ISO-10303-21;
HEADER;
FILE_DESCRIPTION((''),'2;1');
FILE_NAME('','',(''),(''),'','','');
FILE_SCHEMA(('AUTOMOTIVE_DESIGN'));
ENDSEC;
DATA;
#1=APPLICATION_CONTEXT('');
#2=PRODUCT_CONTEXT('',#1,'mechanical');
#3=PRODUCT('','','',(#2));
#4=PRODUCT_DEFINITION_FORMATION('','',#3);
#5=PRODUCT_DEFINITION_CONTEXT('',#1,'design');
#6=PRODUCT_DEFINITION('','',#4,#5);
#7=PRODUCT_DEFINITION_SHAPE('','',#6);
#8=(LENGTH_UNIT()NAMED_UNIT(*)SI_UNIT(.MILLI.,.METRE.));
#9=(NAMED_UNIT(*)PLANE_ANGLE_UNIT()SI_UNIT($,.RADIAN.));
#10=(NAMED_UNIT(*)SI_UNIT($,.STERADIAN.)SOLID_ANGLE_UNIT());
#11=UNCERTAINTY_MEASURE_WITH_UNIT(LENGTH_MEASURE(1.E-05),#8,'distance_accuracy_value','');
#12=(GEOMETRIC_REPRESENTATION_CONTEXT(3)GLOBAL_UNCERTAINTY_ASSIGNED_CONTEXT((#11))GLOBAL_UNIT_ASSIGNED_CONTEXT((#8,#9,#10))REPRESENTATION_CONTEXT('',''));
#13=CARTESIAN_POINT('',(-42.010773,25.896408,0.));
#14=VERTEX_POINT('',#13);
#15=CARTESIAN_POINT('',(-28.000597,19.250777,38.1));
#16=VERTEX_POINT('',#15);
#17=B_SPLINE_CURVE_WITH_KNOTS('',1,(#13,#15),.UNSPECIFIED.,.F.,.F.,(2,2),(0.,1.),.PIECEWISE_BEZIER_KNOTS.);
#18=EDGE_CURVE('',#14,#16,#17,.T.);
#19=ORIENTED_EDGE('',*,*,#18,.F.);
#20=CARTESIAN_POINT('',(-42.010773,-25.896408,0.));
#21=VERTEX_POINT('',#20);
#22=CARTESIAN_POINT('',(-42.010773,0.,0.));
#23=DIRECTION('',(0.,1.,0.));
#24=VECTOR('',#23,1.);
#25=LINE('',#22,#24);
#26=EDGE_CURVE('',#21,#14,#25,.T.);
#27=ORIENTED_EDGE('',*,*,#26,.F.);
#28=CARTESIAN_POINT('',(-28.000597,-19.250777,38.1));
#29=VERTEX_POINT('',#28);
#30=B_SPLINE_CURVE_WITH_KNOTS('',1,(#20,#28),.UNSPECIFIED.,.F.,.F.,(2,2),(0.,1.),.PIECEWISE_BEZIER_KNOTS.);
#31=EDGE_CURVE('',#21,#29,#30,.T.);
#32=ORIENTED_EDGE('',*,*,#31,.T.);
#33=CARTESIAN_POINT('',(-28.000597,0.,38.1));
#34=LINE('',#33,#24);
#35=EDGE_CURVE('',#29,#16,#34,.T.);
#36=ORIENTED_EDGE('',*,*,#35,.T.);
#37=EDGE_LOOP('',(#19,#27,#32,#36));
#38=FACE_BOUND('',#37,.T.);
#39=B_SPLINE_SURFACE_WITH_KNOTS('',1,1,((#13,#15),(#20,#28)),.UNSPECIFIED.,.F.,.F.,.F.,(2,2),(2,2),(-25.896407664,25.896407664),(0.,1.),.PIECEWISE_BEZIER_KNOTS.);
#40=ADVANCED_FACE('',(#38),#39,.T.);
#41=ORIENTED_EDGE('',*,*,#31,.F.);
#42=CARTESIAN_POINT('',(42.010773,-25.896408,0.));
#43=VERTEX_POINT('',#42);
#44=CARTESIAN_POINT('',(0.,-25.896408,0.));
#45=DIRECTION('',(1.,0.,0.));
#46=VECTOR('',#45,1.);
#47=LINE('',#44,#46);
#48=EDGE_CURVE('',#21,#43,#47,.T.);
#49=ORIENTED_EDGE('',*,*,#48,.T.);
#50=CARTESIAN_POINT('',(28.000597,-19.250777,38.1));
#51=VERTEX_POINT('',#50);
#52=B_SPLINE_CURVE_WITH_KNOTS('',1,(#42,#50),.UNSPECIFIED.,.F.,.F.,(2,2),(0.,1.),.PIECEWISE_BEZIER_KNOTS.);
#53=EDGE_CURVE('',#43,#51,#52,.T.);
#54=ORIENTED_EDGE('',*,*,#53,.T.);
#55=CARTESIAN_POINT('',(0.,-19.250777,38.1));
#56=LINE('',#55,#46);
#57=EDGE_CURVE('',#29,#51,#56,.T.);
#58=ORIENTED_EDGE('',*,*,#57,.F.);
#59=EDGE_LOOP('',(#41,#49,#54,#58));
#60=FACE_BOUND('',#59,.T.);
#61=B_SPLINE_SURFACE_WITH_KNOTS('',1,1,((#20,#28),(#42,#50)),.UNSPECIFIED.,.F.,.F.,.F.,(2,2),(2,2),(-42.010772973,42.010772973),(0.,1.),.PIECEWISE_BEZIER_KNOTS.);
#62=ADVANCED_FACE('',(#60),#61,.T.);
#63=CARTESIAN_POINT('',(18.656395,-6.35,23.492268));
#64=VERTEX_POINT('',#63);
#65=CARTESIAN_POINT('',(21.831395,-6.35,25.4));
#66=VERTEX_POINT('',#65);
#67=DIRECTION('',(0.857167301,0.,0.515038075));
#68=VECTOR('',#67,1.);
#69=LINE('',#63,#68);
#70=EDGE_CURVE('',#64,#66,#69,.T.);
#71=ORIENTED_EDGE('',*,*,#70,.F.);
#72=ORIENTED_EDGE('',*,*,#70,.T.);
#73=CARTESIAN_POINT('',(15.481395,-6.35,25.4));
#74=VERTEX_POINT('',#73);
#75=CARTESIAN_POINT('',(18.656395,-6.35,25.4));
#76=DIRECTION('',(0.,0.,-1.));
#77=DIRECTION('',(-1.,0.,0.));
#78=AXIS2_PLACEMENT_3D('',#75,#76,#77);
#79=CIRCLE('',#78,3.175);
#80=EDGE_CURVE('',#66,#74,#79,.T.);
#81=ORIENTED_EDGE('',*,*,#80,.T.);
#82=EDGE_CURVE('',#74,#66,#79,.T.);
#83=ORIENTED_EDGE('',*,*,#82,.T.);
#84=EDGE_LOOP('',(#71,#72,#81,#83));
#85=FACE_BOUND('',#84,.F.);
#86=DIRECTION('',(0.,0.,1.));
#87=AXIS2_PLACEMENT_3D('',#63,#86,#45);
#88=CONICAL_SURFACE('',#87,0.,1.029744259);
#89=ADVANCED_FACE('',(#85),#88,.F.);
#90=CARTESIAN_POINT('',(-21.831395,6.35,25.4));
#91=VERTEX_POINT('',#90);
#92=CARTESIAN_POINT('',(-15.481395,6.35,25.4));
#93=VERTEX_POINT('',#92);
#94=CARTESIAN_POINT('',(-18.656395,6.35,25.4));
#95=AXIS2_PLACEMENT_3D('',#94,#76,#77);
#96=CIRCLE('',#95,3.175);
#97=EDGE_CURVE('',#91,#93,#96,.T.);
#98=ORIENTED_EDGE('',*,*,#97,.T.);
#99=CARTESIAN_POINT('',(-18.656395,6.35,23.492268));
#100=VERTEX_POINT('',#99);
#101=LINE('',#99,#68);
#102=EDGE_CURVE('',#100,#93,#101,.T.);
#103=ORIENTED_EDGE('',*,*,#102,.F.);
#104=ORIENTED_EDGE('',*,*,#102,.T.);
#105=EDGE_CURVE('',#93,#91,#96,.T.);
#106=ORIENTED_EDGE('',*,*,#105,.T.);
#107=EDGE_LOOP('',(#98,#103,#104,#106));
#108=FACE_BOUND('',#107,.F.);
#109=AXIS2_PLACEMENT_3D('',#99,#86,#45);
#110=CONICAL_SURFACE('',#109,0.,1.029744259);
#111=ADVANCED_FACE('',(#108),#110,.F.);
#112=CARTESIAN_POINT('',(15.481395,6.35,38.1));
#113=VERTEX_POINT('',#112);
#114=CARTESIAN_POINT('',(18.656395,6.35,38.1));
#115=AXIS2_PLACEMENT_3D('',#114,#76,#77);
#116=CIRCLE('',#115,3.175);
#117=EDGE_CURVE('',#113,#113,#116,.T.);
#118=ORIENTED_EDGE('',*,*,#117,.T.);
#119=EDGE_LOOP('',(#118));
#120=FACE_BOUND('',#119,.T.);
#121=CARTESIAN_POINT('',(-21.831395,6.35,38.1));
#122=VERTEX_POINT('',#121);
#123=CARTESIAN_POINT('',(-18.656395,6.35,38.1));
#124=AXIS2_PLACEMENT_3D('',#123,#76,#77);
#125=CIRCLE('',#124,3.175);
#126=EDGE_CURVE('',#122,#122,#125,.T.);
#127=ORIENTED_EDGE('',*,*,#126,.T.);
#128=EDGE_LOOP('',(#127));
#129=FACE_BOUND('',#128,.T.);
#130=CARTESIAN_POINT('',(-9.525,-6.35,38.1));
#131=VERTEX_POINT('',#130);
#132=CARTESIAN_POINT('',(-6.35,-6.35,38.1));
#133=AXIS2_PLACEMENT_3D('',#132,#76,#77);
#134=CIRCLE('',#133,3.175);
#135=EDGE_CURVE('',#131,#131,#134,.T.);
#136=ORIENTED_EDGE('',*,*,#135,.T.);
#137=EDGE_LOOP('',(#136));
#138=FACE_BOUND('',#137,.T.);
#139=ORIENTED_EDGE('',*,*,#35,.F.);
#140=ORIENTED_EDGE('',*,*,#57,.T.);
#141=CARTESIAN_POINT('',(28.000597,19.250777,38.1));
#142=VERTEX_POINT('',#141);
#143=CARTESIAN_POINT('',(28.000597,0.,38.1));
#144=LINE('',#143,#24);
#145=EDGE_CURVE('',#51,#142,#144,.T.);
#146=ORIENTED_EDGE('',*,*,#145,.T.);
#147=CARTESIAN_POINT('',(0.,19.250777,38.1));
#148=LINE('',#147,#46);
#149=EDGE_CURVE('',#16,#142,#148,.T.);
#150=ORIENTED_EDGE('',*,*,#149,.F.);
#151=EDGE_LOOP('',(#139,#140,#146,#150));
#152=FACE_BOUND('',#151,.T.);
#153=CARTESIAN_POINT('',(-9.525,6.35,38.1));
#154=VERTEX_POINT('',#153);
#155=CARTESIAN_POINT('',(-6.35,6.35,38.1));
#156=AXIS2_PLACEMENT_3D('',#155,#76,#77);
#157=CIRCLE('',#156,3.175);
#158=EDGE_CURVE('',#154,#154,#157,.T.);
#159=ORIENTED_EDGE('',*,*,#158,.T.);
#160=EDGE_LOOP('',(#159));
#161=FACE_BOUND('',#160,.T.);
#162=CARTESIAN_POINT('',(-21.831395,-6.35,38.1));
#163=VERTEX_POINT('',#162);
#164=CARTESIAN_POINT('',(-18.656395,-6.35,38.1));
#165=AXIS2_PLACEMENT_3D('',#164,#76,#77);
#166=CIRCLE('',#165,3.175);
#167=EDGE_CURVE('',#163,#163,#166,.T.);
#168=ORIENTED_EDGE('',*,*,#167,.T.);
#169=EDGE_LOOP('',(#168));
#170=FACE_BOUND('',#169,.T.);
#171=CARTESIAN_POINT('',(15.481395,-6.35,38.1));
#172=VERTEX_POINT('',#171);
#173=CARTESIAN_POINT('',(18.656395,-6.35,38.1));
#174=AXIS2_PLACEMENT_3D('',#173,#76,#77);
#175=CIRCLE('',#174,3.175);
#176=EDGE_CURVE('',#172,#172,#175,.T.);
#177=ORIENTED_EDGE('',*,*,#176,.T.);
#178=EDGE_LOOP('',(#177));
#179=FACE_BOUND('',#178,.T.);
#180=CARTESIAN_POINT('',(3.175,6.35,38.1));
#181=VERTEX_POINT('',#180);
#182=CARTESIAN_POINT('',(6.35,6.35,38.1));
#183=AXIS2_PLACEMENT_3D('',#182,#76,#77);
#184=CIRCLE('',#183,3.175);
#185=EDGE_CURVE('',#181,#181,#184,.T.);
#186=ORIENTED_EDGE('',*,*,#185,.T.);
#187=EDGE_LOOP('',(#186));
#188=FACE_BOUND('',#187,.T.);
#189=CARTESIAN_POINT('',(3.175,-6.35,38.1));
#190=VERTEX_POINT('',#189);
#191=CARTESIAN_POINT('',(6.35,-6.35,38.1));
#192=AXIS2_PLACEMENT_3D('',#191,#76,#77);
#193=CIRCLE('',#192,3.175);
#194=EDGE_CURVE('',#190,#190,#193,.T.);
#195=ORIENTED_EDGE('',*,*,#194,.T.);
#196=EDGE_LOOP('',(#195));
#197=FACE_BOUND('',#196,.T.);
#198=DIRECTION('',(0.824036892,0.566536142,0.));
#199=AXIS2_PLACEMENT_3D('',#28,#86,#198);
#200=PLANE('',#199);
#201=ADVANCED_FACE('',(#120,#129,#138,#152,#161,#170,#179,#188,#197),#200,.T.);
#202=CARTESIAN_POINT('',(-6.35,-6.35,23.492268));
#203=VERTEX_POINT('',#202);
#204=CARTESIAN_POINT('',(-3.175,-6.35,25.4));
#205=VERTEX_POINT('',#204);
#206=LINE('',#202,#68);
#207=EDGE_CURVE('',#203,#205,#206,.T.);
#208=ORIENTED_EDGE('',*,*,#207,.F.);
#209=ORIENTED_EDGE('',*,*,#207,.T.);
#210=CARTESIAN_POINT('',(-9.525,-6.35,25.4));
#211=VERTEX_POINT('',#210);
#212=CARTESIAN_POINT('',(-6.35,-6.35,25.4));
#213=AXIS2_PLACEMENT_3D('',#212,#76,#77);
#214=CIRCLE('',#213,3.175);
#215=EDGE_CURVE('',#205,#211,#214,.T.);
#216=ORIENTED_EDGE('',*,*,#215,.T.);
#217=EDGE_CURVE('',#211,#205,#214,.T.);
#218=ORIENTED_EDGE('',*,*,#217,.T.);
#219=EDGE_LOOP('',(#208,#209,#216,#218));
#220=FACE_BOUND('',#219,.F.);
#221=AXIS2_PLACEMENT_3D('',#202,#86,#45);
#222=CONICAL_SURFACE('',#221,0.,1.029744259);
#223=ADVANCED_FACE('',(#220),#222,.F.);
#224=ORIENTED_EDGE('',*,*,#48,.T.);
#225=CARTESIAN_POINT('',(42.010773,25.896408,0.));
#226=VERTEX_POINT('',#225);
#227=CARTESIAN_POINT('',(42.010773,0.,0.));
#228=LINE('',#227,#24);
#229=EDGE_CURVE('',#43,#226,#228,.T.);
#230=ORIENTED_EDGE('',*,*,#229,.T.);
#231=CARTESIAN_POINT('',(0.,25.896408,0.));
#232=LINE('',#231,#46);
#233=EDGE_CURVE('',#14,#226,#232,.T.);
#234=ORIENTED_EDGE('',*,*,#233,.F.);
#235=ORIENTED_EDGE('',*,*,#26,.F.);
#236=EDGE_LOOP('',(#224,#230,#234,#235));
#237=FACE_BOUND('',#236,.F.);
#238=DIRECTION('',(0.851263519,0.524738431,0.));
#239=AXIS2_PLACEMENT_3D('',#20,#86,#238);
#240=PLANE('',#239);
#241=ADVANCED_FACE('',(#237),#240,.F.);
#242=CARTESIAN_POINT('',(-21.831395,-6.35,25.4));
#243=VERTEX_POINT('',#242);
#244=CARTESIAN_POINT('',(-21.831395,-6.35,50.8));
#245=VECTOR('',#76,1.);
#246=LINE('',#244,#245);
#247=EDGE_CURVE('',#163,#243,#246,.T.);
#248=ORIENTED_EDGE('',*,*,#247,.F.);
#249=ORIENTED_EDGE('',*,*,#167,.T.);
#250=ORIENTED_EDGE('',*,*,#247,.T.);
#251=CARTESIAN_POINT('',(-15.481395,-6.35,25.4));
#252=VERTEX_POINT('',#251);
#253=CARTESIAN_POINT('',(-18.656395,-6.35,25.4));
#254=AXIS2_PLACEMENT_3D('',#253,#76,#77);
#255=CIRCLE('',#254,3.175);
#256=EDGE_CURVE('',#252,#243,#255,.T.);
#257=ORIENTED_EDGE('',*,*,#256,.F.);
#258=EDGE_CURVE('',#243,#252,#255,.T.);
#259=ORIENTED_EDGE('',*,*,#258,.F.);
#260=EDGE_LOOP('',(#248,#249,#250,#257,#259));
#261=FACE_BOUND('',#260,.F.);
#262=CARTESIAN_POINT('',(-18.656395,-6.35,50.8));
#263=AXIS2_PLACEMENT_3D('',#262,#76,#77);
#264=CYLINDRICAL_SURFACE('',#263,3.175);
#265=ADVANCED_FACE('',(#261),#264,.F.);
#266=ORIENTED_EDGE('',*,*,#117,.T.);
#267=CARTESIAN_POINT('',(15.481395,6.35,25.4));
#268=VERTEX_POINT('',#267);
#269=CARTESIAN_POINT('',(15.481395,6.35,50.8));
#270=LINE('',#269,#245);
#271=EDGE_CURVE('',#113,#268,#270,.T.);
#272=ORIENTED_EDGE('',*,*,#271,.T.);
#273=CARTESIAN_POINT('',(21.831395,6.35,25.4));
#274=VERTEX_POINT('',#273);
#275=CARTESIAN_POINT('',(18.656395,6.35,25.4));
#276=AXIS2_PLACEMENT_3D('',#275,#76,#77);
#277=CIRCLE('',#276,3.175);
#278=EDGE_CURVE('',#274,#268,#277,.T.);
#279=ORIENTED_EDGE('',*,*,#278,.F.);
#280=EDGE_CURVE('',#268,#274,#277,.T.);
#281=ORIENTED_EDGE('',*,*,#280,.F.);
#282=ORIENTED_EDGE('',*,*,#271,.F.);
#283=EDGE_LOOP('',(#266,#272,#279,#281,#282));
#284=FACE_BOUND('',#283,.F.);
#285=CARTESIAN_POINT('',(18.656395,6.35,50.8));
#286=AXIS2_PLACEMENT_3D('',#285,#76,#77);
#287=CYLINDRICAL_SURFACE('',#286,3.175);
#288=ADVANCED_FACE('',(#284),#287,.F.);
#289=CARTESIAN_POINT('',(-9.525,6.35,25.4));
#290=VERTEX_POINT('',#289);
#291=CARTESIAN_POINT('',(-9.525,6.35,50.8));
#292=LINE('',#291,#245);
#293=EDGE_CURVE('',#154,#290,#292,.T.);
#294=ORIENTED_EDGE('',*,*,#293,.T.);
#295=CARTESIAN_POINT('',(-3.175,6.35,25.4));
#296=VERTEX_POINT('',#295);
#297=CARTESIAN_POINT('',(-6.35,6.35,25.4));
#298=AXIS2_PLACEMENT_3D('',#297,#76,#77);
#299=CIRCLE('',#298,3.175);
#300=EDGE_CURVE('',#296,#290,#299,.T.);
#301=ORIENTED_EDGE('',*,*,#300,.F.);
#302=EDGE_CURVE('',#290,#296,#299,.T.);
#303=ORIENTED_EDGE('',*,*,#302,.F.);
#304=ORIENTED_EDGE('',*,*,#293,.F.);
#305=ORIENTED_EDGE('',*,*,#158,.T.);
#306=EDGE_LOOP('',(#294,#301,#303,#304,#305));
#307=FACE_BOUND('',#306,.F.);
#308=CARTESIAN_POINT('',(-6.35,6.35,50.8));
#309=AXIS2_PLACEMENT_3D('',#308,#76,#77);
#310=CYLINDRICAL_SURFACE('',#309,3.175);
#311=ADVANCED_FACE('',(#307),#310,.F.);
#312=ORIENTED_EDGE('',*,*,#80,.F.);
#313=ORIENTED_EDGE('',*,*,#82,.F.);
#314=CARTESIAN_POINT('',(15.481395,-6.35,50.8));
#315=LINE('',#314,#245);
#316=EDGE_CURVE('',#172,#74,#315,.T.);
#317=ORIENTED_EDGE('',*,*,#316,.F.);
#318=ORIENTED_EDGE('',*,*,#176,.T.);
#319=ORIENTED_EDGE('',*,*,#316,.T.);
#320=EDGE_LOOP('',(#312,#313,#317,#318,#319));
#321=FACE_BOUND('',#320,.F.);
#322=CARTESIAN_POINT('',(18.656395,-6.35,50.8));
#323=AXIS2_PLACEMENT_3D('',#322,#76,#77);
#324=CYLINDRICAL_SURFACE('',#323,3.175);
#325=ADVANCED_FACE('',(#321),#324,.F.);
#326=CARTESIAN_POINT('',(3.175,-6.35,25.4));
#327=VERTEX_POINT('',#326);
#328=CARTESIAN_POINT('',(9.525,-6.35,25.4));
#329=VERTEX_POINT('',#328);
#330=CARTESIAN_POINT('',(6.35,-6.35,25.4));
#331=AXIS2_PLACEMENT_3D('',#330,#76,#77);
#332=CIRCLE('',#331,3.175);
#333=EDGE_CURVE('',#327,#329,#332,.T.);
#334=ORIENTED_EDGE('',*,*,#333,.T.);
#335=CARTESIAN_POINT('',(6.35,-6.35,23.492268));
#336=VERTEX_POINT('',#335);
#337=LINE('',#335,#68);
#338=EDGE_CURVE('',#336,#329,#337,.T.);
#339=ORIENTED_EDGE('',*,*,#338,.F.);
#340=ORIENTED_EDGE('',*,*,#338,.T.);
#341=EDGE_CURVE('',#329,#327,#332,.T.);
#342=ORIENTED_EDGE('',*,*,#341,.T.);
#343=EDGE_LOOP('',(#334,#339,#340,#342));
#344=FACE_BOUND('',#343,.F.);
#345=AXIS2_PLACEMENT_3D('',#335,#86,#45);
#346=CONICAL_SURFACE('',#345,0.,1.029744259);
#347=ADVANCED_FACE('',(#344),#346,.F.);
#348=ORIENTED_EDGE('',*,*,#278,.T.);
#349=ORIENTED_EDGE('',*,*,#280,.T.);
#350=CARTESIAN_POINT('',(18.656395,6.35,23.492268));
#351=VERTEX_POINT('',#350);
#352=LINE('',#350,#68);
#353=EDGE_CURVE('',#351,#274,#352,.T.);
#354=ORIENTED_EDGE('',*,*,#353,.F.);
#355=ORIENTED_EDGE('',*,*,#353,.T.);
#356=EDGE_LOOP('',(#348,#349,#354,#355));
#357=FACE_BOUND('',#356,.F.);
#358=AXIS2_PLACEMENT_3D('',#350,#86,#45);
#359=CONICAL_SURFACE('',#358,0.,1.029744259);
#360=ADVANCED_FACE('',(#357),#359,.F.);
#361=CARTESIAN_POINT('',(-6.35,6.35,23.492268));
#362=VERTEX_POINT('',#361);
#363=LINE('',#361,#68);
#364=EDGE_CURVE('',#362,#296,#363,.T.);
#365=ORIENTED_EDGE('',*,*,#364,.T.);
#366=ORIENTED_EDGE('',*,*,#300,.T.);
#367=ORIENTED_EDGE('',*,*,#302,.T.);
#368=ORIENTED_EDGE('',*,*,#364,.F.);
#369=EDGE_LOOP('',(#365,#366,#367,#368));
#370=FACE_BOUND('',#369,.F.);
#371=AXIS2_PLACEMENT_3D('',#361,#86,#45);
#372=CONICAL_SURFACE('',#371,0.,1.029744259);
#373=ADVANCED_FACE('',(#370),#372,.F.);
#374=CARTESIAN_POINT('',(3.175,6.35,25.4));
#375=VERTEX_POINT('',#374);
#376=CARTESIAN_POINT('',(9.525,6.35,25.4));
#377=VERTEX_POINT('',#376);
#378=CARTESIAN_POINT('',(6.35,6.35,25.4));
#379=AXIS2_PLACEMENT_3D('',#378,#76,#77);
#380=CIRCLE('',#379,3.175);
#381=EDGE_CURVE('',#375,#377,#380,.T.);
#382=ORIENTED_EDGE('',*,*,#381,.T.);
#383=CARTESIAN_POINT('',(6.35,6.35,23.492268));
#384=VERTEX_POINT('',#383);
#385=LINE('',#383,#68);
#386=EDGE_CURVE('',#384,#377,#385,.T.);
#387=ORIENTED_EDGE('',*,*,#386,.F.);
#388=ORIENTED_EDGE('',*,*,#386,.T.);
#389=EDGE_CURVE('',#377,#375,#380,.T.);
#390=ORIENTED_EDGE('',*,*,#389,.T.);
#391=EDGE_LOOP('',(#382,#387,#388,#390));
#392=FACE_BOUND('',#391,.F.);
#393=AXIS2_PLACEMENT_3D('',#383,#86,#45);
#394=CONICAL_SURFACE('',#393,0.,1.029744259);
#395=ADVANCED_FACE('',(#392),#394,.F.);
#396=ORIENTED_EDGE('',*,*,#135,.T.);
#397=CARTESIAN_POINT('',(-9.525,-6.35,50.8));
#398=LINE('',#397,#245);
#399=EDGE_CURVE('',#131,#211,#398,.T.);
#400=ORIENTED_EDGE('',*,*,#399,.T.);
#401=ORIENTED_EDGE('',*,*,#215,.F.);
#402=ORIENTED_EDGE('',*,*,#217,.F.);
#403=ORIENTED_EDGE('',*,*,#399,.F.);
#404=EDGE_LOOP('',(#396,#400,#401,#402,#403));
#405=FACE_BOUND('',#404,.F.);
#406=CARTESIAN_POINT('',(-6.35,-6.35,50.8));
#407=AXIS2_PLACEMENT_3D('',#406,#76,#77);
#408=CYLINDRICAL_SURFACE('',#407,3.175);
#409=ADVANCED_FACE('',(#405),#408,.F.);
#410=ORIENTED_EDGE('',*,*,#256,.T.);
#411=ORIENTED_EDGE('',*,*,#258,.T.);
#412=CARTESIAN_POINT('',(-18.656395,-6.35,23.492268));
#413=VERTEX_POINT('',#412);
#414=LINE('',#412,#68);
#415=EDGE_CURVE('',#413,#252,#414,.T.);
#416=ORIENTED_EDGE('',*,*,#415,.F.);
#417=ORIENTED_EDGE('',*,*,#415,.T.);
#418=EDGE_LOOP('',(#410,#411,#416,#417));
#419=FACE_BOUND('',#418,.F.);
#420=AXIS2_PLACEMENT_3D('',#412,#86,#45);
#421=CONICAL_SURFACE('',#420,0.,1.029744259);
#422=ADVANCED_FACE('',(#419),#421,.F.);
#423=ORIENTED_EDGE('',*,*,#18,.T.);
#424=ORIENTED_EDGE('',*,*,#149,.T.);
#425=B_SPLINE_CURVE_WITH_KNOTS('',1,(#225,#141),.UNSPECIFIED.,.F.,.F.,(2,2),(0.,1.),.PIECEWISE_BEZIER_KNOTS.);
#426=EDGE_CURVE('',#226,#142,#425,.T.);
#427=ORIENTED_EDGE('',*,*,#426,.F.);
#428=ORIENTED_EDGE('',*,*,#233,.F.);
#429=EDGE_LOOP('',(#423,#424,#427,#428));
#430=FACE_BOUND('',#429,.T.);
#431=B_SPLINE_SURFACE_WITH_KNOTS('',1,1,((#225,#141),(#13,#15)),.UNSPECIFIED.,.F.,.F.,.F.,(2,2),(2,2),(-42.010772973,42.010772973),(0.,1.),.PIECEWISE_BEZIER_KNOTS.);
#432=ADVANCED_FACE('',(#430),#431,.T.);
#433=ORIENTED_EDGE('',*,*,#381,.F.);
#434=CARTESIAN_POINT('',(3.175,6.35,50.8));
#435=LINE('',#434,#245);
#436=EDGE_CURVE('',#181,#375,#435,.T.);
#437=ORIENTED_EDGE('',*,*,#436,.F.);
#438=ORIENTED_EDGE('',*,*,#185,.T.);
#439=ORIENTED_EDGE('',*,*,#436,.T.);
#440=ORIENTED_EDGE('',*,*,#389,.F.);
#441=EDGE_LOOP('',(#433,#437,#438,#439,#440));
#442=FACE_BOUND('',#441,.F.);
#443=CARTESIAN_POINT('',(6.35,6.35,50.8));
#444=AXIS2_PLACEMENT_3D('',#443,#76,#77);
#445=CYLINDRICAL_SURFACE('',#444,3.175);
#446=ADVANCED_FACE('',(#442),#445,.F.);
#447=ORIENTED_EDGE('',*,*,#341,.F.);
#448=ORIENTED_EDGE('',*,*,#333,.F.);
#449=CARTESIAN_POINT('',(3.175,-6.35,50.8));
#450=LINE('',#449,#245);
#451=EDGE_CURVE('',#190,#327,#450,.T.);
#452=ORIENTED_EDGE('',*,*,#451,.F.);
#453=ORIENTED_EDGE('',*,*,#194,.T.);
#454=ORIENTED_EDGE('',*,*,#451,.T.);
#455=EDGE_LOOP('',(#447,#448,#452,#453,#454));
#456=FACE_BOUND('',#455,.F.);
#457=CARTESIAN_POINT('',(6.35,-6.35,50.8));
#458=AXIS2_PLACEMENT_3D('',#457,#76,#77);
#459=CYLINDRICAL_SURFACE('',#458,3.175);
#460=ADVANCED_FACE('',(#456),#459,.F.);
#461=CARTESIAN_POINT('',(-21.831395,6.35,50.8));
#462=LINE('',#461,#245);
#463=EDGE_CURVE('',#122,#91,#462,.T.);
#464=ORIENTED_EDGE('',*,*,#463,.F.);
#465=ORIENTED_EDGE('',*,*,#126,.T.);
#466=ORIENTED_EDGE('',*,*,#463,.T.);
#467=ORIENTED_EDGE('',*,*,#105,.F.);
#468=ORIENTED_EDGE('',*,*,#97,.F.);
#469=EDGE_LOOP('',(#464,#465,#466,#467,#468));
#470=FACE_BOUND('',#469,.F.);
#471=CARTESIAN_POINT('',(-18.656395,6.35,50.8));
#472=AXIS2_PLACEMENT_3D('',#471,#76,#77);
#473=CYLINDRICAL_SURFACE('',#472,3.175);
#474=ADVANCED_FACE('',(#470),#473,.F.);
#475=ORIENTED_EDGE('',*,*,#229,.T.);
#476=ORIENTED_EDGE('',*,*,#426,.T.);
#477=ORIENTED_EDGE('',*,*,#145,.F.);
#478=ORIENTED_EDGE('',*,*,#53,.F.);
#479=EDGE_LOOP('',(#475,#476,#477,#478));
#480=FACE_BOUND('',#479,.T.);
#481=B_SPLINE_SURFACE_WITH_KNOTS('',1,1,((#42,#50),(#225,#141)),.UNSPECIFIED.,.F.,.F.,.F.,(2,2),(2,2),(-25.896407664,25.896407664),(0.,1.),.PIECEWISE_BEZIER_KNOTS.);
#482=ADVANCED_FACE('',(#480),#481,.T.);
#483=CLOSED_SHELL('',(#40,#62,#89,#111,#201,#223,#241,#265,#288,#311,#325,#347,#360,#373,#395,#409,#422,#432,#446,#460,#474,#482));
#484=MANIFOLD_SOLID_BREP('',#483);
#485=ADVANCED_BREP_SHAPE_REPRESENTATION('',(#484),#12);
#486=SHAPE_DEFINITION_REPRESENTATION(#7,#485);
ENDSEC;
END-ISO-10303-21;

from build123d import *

# Parameters (mm, degrees)
F0_W     = 84.0215459466
F0_H     = 51.7928153276
F2_W     = 56.0011938214
F2_H     = 38.5015532374
F5_D     = 6.35
F5_DEPTH = 12.7
F5_TIP   = 1.9077324654


with BuildPart() as f3:
    # F0 (on Top) → F3 section 0
    with BuildSketch(Plane.XY):
        Rectangle(F0_W, F0_H)
    # F2 (on offset) → F3 section 1
    with BuildSketch(Plane.XY.offset(38.1)):
        Rectangle(F2_W, F2_H)
    loft()

    # F5
    with Locations(Plane.XY.offset(38.1)):
        with Locations((-6.35, -6.35), (-6.35, 6.35), (6.35, -6.35), (-18.6563952234, 6.35), (18.6563952234, -6.35), (-18.6563952234, -6.35), (6.35, 6.35), (18.6563952234, 6.35)):
            Hole(F5_D / 2, depth=F5_DEPTH)
            with Locations((0, 0, -(F5_DEPTH + F5_TIP / 2))):  # 118° drill point
                Cone(0, F5_D / 2, F5_TIP, mode=Mode.SUBTRACT)


solid = f3.part
